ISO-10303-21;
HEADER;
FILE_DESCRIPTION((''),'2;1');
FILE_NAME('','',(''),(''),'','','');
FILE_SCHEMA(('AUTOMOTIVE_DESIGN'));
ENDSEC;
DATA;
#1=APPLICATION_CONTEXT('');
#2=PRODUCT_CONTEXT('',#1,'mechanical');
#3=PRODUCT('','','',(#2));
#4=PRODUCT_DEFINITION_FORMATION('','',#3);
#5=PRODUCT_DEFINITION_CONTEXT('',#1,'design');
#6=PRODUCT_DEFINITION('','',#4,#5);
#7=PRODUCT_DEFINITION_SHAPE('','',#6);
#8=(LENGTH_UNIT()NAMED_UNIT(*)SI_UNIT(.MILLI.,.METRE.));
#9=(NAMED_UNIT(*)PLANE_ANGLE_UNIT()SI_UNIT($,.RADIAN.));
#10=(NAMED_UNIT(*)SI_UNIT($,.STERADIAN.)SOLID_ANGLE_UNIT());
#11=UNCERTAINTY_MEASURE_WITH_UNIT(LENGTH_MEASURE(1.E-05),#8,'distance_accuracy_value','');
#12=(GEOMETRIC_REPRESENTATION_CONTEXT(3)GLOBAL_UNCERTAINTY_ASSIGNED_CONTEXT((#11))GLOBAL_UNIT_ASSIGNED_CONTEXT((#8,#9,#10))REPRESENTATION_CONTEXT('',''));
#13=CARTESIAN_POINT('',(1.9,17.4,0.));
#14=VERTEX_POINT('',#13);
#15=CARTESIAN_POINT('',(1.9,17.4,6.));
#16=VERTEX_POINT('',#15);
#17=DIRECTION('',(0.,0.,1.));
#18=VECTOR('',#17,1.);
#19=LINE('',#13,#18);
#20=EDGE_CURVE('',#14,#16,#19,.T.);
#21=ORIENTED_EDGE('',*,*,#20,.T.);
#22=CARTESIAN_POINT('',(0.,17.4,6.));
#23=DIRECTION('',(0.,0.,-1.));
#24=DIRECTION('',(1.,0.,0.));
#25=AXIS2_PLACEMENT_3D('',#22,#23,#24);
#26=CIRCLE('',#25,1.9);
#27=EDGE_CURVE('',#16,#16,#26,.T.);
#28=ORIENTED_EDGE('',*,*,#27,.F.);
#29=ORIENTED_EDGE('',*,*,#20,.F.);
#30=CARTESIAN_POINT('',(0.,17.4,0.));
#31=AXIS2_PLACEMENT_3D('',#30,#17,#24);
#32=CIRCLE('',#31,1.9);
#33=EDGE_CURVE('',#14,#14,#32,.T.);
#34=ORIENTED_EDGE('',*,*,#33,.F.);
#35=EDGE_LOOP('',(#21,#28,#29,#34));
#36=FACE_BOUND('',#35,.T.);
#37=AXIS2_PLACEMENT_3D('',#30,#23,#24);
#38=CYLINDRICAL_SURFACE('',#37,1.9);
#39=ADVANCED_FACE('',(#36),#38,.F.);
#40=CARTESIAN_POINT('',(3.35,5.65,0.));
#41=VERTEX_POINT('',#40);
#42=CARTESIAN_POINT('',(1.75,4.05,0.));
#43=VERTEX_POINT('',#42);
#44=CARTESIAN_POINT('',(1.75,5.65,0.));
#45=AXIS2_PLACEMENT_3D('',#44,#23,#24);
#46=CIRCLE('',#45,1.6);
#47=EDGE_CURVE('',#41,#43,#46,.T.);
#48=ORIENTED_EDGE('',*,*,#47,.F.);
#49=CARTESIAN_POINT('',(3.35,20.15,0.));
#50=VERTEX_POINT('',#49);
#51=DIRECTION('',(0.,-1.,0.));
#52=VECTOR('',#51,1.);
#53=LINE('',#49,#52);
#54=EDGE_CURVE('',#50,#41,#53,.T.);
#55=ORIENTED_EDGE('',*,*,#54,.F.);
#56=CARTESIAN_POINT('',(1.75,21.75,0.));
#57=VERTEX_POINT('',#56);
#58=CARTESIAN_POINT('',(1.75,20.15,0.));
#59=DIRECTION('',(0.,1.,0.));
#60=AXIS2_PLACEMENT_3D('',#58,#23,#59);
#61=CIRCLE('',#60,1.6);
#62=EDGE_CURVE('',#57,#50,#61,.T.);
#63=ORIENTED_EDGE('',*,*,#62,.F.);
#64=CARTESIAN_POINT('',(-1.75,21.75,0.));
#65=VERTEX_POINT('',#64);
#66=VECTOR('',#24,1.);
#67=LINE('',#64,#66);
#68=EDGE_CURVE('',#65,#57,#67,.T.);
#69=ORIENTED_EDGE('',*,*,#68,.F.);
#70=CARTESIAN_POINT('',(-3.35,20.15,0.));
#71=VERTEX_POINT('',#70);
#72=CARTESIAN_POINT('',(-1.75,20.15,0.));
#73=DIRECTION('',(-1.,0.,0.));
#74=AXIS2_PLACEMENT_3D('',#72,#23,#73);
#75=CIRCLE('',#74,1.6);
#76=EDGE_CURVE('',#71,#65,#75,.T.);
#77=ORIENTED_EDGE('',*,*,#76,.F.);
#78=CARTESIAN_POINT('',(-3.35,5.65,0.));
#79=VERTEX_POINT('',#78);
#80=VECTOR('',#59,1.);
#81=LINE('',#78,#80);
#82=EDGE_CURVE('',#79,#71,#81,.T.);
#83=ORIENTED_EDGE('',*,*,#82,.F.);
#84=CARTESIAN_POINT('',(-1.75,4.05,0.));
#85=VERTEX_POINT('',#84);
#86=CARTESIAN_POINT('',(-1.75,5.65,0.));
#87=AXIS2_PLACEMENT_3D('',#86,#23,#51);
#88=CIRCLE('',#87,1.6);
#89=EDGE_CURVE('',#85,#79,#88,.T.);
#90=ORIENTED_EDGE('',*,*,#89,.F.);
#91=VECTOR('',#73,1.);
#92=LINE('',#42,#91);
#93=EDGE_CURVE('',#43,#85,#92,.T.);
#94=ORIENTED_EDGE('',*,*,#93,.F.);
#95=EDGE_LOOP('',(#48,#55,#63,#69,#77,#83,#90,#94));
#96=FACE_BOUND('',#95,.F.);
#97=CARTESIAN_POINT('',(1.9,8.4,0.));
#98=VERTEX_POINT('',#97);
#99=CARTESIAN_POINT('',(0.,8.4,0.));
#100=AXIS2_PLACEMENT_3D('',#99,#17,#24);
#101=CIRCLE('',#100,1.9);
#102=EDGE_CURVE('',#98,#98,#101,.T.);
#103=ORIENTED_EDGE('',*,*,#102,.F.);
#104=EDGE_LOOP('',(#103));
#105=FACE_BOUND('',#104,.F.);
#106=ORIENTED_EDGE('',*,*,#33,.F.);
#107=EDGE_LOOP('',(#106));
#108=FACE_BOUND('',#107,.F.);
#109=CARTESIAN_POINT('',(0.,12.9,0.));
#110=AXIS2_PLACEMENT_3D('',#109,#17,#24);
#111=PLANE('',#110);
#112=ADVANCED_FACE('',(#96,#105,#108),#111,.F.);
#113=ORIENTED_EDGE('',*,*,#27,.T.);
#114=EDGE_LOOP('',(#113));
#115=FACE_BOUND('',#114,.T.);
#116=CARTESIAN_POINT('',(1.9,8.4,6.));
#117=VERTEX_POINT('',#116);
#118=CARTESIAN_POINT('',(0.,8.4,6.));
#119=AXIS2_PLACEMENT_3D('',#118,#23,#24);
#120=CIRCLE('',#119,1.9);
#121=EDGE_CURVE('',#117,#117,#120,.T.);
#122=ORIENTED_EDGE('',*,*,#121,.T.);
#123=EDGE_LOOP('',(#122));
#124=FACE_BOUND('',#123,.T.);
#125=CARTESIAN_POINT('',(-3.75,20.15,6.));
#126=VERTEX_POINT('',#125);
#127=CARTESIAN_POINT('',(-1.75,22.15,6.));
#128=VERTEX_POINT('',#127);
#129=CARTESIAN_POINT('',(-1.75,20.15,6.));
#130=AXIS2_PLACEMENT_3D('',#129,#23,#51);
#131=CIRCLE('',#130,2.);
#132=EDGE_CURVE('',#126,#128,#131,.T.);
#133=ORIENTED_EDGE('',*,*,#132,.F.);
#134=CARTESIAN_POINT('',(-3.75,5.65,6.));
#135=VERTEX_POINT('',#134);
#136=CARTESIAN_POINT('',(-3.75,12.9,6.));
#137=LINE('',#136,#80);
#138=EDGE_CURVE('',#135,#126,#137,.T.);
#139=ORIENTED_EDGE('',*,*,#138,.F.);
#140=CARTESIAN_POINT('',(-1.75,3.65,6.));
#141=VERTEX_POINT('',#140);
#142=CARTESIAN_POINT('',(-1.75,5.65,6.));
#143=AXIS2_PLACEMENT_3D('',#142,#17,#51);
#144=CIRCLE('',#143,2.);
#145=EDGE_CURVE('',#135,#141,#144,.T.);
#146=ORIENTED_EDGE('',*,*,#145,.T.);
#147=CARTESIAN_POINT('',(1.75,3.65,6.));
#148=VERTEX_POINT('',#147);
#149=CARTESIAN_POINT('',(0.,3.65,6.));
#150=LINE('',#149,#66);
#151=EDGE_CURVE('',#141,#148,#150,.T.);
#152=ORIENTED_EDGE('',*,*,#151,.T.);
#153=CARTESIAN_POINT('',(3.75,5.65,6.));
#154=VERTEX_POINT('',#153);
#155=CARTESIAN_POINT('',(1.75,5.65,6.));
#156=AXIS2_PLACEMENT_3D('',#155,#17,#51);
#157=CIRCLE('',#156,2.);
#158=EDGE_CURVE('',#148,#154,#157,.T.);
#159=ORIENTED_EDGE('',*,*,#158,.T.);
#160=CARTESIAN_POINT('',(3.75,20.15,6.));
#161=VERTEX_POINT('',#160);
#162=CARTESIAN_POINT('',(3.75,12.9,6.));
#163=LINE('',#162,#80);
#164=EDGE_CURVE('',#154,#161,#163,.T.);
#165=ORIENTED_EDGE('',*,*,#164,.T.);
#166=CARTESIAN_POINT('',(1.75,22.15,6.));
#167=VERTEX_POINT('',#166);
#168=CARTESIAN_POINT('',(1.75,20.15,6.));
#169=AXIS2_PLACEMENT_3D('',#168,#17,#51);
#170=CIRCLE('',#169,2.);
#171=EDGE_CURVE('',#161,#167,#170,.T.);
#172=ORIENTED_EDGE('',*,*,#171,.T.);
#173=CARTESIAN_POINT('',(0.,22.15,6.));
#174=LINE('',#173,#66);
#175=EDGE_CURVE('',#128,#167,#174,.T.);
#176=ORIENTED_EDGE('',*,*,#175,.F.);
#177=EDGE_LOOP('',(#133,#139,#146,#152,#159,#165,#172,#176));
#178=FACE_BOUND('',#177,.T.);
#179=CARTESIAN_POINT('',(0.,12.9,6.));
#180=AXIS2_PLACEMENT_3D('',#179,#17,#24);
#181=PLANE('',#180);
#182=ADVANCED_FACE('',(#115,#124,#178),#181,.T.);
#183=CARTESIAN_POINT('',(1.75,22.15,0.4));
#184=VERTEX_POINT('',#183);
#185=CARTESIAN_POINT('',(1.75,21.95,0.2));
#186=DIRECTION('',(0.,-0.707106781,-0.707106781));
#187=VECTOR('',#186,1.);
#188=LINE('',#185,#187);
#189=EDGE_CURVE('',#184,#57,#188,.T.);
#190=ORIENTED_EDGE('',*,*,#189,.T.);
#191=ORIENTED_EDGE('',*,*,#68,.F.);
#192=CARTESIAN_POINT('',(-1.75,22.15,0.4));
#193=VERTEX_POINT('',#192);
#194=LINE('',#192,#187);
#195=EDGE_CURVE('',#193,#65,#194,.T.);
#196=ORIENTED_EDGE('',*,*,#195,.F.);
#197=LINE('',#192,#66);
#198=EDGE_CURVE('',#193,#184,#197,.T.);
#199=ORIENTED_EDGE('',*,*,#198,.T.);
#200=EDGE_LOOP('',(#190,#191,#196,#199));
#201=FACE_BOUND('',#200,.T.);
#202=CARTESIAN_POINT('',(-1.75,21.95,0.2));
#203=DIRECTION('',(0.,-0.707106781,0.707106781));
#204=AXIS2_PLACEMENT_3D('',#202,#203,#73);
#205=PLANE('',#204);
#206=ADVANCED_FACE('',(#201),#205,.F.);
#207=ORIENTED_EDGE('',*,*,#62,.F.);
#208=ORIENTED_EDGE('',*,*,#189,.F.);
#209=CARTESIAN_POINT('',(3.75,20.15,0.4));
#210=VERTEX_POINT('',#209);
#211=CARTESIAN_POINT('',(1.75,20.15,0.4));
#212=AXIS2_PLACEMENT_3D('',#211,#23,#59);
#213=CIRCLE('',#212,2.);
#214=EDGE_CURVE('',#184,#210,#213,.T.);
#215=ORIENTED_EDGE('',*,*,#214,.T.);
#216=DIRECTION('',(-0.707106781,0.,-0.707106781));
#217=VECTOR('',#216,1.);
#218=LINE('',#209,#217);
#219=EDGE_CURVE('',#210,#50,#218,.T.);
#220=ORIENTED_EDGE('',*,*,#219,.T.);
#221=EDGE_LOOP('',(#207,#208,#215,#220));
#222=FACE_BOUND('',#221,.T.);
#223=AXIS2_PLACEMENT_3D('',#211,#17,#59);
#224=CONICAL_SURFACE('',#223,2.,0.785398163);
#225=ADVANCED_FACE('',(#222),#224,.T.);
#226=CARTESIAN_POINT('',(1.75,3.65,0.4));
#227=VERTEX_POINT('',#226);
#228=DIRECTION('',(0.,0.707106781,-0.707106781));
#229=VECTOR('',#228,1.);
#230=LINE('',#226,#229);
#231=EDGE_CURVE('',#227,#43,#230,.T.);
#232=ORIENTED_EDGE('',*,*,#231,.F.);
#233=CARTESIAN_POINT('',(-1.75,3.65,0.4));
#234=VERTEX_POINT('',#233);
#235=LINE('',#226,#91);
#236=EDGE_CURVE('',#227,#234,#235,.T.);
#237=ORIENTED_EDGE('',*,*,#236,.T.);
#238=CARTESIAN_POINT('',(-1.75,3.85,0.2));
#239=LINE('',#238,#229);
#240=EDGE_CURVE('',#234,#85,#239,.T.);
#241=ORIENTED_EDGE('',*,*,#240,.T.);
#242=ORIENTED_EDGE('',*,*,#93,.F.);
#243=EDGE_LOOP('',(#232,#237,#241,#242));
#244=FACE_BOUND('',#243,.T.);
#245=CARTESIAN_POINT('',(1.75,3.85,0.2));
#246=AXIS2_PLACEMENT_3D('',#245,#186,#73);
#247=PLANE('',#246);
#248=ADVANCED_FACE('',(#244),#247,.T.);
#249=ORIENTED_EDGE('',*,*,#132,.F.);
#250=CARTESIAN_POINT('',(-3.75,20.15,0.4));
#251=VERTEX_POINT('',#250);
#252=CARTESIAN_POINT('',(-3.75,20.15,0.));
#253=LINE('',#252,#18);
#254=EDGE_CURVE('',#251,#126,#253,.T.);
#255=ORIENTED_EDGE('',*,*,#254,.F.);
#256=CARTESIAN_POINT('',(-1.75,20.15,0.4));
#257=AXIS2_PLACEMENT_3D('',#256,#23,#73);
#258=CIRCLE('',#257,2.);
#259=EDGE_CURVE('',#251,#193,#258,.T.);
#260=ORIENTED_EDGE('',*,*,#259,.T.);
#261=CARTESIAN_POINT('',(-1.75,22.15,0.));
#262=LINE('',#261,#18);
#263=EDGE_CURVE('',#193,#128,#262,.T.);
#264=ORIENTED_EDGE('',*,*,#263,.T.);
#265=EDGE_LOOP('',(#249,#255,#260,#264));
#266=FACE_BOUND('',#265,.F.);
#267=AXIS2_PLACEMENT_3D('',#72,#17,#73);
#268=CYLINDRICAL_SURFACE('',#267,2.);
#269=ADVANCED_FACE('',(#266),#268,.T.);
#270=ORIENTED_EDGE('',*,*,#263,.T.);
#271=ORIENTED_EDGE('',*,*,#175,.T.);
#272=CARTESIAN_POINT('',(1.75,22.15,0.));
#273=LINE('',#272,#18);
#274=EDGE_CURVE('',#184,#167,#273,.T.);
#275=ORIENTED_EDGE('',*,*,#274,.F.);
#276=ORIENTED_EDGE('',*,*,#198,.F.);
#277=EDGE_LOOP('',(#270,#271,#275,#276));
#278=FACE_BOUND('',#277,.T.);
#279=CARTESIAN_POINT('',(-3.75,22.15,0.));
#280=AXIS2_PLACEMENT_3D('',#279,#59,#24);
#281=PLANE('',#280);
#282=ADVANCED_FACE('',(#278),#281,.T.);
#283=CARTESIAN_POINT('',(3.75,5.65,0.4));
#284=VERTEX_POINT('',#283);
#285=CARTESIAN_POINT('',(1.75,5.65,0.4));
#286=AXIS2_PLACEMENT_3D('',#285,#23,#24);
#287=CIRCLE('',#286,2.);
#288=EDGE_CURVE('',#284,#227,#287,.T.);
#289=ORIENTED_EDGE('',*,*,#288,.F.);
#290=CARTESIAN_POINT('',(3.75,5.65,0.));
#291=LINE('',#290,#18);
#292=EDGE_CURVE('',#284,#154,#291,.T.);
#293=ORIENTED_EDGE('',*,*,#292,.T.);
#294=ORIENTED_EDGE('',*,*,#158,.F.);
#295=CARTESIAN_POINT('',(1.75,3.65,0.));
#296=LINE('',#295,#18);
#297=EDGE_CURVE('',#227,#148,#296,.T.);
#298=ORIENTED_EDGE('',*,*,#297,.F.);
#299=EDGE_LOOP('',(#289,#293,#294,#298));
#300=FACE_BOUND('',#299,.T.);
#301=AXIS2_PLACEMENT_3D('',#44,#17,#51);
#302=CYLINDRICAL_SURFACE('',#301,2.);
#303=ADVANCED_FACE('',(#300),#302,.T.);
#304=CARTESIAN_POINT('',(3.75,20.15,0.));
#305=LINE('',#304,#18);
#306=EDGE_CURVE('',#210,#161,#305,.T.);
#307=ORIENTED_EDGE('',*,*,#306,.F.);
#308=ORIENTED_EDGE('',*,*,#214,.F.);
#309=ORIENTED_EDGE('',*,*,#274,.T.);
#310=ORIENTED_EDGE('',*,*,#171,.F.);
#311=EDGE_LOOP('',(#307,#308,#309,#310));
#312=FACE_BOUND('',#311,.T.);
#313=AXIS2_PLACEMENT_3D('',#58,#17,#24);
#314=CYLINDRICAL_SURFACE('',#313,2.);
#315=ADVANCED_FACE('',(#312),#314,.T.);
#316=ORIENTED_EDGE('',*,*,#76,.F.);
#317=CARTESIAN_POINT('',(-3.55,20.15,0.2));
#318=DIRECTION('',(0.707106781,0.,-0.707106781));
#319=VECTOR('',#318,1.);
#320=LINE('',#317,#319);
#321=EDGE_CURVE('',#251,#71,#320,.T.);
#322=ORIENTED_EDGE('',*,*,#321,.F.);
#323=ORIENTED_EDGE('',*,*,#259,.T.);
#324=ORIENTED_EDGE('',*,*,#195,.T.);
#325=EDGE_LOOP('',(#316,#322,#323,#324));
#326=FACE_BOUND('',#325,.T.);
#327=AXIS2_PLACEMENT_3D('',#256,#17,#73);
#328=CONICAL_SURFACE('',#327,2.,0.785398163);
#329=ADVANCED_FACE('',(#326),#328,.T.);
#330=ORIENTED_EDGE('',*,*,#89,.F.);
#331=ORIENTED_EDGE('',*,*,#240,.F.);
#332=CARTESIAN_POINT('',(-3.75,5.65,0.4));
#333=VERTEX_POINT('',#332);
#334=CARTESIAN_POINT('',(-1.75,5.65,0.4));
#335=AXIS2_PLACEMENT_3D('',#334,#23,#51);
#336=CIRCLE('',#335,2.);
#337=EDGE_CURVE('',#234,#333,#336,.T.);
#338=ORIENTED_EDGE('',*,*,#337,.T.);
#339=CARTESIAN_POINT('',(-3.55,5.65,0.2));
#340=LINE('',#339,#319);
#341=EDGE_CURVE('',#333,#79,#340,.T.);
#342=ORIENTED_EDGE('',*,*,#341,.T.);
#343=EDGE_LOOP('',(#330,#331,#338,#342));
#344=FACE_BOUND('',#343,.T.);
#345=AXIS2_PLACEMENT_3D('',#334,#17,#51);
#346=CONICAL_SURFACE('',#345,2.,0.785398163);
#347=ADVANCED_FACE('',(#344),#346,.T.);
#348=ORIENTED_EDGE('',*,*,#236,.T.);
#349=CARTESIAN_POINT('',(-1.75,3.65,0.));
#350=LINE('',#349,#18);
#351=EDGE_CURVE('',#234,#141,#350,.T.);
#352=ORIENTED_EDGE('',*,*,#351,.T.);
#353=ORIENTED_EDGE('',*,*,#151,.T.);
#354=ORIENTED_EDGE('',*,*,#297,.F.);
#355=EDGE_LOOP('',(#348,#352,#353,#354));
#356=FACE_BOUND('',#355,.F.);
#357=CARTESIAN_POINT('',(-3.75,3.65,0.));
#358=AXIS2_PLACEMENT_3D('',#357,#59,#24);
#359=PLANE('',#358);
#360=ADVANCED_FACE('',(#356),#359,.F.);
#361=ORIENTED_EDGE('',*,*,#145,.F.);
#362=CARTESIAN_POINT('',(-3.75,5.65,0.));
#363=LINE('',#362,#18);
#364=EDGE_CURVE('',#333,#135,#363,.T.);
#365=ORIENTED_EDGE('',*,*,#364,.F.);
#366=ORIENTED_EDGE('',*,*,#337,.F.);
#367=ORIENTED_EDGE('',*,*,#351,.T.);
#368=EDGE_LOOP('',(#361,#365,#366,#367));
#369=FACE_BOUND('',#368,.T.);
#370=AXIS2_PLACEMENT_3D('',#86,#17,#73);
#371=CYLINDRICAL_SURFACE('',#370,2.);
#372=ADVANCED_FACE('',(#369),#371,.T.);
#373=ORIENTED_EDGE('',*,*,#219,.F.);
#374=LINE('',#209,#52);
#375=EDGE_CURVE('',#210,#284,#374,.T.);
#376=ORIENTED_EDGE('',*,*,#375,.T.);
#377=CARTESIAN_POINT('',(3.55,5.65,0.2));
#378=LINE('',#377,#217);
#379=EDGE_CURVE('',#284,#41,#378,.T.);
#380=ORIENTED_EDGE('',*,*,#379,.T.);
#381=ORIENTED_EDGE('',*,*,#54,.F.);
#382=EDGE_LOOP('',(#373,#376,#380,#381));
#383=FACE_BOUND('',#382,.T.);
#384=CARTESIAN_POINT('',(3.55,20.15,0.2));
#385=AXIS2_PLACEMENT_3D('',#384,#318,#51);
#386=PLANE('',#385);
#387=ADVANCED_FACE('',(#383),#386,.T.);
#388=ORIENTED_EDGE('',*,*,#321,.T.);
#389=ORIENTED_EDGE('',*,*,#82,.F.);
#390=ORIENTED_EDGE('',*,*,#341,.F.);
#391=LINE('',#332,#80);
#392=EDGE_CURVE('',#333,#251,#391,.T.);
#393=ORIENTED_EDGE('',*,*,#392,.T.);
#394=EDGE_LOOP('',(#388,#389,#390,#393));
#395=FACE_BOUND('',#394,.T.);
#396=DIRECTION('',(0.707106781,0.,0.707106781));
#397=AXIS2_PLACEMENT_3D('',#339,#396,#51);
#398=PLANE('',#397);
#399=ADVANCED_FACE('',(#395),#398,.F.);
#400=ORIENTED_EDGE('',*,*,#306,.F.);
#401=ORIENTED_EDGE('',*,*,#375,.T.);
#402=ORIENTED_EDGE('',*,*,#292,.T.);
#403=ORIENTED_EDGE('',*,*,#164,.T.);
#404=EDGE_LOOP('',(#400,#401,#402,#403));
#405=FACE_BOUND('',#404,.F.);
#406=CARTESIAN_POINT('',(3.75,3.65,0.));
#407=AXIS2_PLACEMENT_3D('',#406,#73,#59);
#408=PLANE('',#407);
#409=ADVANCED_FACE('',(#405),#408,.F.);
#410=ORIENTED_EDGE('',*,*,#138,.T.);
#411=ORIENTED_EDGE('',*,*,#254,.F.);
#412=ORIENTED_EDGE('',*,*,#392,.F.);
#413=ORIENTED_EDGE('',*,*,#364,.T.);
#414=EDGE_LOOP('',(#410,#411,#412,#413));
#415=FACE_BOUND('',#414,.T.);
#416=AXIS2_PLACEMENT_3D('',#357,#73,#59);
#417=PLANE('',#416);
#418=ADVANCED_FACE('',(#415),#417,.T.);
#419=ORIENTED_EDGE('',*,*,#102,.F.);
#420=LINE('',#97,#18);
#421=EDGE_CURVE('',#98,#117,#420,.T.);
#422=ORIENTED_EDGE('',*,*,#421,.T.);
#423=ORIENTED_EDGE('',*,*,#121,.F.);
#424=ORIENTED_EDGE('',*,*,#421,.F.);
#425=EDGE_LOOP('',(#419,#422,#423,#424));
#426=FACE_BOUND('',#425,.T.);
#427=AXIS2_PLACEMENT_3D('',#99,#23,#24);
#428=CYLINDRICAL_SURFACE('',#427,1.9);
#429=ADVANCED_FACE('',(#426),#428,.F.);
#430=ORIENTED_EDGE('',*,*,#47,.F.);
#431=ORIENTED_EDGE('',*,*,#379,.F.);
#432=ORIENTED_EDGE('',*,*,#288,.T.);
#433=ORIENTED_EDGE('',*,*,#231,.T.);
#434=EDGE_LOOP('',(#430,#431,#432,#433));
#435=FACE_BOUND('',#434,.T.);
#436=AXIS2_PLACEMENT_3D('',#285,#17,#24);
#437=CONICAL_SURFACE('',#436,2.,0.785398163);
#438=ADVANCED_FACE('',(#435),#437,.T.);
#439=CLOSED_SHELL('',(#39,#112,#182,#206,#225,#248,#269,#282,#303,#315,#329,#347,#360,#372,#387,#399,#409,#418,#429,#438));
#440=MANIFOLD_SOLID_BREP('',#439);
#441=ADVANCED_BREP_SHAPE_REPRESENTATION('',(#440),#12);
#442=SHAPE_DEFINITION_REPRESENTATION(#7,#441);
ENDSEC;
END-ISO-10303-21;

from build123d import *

# Parameters (mm, degrees)
CYLINDER010_R     = 1.9
CYLINDER010_DEPTH = 10
CYLINDER011_R     = 1.9
CYLINDER011_DEPTH = 10
BOX002_W          = 7.5
BOX002_H          = 18.5
BOX002_DEPTH      = 6
FILLET002_R       = 2
CHAMFER002_SIZE   = 0.4


with BuildPart() as cylinder010:
    # Cylinder010 → Cylinder010 (new body)
    with BuildSketch(Plane(origin=(0, 8.4, 0), x_dir=(1, 0, 0), z_dir=(0, 0, 1))):
        Circle(CYLINDER010_R)
    extrude(amount=CYLINDER010_DEPTH)


with BuildPart() as fusion003:
    # Cylinder011 → Cylinder011 (new body)
    with BuildSketch(Plane(origin=(0, 17.4, 0), x_dir=(1, 0, 0), z_dir=(0, 0, 1))):
        Circle(CYLINDER011_R)
    extrude(amount=CYLINDER011_DEPTH)

    # Fusion003: union Cylinder010
    add(cylinder010.part)


with BuildPart() as cut002:
    # Box002 → Box002 (new body)
    with BuildSketch(Plane(origin=(-3.75, 3.65, 0), x_dir=(1, 0, 0), z_dir=(0, 0, 1))):
        with Locations((3.75, 9.25)):
            Rectangle(BOX002_W, BOX002_H)
    extrude(amount=BOX002_DEPTH)

    # Fillet002
    fillet002_edges = [cut002.edges().sort_by_distance(p)[0] for p in [
        (-3.75, 3.65, 3),
        (-3.75, 22.15, 3),
        (3.75, 3.65, 3),
        (3.75, 22.15, 3),
    ]]
    fillet(fillet002_edges, radius=FILLET002_R)

    # Chamfer002
    chamfer002_edges = [cut002.edges().sort_by_distance(p)[0] for p in [
        (-3.75, 12.9, 0),
        (-3.164214, 4.235786, 0),
        (-3.164214, 21.564214, 0),
        (0, 3.65, 0),
        (3.164214, 4.235786, 0),
        (3.75, 12.9, 0),
        (3.164214, 21.564214, 0),
        (0, 22.15, 0),
    ]]
    chamfer(chamfer002_edges, length=CHAMFER002_SIZE)

    # Cut002: cut Fusion003
    add(fusion003.part, mode=Mode.SUBTRACT)


solid = cut002.part
